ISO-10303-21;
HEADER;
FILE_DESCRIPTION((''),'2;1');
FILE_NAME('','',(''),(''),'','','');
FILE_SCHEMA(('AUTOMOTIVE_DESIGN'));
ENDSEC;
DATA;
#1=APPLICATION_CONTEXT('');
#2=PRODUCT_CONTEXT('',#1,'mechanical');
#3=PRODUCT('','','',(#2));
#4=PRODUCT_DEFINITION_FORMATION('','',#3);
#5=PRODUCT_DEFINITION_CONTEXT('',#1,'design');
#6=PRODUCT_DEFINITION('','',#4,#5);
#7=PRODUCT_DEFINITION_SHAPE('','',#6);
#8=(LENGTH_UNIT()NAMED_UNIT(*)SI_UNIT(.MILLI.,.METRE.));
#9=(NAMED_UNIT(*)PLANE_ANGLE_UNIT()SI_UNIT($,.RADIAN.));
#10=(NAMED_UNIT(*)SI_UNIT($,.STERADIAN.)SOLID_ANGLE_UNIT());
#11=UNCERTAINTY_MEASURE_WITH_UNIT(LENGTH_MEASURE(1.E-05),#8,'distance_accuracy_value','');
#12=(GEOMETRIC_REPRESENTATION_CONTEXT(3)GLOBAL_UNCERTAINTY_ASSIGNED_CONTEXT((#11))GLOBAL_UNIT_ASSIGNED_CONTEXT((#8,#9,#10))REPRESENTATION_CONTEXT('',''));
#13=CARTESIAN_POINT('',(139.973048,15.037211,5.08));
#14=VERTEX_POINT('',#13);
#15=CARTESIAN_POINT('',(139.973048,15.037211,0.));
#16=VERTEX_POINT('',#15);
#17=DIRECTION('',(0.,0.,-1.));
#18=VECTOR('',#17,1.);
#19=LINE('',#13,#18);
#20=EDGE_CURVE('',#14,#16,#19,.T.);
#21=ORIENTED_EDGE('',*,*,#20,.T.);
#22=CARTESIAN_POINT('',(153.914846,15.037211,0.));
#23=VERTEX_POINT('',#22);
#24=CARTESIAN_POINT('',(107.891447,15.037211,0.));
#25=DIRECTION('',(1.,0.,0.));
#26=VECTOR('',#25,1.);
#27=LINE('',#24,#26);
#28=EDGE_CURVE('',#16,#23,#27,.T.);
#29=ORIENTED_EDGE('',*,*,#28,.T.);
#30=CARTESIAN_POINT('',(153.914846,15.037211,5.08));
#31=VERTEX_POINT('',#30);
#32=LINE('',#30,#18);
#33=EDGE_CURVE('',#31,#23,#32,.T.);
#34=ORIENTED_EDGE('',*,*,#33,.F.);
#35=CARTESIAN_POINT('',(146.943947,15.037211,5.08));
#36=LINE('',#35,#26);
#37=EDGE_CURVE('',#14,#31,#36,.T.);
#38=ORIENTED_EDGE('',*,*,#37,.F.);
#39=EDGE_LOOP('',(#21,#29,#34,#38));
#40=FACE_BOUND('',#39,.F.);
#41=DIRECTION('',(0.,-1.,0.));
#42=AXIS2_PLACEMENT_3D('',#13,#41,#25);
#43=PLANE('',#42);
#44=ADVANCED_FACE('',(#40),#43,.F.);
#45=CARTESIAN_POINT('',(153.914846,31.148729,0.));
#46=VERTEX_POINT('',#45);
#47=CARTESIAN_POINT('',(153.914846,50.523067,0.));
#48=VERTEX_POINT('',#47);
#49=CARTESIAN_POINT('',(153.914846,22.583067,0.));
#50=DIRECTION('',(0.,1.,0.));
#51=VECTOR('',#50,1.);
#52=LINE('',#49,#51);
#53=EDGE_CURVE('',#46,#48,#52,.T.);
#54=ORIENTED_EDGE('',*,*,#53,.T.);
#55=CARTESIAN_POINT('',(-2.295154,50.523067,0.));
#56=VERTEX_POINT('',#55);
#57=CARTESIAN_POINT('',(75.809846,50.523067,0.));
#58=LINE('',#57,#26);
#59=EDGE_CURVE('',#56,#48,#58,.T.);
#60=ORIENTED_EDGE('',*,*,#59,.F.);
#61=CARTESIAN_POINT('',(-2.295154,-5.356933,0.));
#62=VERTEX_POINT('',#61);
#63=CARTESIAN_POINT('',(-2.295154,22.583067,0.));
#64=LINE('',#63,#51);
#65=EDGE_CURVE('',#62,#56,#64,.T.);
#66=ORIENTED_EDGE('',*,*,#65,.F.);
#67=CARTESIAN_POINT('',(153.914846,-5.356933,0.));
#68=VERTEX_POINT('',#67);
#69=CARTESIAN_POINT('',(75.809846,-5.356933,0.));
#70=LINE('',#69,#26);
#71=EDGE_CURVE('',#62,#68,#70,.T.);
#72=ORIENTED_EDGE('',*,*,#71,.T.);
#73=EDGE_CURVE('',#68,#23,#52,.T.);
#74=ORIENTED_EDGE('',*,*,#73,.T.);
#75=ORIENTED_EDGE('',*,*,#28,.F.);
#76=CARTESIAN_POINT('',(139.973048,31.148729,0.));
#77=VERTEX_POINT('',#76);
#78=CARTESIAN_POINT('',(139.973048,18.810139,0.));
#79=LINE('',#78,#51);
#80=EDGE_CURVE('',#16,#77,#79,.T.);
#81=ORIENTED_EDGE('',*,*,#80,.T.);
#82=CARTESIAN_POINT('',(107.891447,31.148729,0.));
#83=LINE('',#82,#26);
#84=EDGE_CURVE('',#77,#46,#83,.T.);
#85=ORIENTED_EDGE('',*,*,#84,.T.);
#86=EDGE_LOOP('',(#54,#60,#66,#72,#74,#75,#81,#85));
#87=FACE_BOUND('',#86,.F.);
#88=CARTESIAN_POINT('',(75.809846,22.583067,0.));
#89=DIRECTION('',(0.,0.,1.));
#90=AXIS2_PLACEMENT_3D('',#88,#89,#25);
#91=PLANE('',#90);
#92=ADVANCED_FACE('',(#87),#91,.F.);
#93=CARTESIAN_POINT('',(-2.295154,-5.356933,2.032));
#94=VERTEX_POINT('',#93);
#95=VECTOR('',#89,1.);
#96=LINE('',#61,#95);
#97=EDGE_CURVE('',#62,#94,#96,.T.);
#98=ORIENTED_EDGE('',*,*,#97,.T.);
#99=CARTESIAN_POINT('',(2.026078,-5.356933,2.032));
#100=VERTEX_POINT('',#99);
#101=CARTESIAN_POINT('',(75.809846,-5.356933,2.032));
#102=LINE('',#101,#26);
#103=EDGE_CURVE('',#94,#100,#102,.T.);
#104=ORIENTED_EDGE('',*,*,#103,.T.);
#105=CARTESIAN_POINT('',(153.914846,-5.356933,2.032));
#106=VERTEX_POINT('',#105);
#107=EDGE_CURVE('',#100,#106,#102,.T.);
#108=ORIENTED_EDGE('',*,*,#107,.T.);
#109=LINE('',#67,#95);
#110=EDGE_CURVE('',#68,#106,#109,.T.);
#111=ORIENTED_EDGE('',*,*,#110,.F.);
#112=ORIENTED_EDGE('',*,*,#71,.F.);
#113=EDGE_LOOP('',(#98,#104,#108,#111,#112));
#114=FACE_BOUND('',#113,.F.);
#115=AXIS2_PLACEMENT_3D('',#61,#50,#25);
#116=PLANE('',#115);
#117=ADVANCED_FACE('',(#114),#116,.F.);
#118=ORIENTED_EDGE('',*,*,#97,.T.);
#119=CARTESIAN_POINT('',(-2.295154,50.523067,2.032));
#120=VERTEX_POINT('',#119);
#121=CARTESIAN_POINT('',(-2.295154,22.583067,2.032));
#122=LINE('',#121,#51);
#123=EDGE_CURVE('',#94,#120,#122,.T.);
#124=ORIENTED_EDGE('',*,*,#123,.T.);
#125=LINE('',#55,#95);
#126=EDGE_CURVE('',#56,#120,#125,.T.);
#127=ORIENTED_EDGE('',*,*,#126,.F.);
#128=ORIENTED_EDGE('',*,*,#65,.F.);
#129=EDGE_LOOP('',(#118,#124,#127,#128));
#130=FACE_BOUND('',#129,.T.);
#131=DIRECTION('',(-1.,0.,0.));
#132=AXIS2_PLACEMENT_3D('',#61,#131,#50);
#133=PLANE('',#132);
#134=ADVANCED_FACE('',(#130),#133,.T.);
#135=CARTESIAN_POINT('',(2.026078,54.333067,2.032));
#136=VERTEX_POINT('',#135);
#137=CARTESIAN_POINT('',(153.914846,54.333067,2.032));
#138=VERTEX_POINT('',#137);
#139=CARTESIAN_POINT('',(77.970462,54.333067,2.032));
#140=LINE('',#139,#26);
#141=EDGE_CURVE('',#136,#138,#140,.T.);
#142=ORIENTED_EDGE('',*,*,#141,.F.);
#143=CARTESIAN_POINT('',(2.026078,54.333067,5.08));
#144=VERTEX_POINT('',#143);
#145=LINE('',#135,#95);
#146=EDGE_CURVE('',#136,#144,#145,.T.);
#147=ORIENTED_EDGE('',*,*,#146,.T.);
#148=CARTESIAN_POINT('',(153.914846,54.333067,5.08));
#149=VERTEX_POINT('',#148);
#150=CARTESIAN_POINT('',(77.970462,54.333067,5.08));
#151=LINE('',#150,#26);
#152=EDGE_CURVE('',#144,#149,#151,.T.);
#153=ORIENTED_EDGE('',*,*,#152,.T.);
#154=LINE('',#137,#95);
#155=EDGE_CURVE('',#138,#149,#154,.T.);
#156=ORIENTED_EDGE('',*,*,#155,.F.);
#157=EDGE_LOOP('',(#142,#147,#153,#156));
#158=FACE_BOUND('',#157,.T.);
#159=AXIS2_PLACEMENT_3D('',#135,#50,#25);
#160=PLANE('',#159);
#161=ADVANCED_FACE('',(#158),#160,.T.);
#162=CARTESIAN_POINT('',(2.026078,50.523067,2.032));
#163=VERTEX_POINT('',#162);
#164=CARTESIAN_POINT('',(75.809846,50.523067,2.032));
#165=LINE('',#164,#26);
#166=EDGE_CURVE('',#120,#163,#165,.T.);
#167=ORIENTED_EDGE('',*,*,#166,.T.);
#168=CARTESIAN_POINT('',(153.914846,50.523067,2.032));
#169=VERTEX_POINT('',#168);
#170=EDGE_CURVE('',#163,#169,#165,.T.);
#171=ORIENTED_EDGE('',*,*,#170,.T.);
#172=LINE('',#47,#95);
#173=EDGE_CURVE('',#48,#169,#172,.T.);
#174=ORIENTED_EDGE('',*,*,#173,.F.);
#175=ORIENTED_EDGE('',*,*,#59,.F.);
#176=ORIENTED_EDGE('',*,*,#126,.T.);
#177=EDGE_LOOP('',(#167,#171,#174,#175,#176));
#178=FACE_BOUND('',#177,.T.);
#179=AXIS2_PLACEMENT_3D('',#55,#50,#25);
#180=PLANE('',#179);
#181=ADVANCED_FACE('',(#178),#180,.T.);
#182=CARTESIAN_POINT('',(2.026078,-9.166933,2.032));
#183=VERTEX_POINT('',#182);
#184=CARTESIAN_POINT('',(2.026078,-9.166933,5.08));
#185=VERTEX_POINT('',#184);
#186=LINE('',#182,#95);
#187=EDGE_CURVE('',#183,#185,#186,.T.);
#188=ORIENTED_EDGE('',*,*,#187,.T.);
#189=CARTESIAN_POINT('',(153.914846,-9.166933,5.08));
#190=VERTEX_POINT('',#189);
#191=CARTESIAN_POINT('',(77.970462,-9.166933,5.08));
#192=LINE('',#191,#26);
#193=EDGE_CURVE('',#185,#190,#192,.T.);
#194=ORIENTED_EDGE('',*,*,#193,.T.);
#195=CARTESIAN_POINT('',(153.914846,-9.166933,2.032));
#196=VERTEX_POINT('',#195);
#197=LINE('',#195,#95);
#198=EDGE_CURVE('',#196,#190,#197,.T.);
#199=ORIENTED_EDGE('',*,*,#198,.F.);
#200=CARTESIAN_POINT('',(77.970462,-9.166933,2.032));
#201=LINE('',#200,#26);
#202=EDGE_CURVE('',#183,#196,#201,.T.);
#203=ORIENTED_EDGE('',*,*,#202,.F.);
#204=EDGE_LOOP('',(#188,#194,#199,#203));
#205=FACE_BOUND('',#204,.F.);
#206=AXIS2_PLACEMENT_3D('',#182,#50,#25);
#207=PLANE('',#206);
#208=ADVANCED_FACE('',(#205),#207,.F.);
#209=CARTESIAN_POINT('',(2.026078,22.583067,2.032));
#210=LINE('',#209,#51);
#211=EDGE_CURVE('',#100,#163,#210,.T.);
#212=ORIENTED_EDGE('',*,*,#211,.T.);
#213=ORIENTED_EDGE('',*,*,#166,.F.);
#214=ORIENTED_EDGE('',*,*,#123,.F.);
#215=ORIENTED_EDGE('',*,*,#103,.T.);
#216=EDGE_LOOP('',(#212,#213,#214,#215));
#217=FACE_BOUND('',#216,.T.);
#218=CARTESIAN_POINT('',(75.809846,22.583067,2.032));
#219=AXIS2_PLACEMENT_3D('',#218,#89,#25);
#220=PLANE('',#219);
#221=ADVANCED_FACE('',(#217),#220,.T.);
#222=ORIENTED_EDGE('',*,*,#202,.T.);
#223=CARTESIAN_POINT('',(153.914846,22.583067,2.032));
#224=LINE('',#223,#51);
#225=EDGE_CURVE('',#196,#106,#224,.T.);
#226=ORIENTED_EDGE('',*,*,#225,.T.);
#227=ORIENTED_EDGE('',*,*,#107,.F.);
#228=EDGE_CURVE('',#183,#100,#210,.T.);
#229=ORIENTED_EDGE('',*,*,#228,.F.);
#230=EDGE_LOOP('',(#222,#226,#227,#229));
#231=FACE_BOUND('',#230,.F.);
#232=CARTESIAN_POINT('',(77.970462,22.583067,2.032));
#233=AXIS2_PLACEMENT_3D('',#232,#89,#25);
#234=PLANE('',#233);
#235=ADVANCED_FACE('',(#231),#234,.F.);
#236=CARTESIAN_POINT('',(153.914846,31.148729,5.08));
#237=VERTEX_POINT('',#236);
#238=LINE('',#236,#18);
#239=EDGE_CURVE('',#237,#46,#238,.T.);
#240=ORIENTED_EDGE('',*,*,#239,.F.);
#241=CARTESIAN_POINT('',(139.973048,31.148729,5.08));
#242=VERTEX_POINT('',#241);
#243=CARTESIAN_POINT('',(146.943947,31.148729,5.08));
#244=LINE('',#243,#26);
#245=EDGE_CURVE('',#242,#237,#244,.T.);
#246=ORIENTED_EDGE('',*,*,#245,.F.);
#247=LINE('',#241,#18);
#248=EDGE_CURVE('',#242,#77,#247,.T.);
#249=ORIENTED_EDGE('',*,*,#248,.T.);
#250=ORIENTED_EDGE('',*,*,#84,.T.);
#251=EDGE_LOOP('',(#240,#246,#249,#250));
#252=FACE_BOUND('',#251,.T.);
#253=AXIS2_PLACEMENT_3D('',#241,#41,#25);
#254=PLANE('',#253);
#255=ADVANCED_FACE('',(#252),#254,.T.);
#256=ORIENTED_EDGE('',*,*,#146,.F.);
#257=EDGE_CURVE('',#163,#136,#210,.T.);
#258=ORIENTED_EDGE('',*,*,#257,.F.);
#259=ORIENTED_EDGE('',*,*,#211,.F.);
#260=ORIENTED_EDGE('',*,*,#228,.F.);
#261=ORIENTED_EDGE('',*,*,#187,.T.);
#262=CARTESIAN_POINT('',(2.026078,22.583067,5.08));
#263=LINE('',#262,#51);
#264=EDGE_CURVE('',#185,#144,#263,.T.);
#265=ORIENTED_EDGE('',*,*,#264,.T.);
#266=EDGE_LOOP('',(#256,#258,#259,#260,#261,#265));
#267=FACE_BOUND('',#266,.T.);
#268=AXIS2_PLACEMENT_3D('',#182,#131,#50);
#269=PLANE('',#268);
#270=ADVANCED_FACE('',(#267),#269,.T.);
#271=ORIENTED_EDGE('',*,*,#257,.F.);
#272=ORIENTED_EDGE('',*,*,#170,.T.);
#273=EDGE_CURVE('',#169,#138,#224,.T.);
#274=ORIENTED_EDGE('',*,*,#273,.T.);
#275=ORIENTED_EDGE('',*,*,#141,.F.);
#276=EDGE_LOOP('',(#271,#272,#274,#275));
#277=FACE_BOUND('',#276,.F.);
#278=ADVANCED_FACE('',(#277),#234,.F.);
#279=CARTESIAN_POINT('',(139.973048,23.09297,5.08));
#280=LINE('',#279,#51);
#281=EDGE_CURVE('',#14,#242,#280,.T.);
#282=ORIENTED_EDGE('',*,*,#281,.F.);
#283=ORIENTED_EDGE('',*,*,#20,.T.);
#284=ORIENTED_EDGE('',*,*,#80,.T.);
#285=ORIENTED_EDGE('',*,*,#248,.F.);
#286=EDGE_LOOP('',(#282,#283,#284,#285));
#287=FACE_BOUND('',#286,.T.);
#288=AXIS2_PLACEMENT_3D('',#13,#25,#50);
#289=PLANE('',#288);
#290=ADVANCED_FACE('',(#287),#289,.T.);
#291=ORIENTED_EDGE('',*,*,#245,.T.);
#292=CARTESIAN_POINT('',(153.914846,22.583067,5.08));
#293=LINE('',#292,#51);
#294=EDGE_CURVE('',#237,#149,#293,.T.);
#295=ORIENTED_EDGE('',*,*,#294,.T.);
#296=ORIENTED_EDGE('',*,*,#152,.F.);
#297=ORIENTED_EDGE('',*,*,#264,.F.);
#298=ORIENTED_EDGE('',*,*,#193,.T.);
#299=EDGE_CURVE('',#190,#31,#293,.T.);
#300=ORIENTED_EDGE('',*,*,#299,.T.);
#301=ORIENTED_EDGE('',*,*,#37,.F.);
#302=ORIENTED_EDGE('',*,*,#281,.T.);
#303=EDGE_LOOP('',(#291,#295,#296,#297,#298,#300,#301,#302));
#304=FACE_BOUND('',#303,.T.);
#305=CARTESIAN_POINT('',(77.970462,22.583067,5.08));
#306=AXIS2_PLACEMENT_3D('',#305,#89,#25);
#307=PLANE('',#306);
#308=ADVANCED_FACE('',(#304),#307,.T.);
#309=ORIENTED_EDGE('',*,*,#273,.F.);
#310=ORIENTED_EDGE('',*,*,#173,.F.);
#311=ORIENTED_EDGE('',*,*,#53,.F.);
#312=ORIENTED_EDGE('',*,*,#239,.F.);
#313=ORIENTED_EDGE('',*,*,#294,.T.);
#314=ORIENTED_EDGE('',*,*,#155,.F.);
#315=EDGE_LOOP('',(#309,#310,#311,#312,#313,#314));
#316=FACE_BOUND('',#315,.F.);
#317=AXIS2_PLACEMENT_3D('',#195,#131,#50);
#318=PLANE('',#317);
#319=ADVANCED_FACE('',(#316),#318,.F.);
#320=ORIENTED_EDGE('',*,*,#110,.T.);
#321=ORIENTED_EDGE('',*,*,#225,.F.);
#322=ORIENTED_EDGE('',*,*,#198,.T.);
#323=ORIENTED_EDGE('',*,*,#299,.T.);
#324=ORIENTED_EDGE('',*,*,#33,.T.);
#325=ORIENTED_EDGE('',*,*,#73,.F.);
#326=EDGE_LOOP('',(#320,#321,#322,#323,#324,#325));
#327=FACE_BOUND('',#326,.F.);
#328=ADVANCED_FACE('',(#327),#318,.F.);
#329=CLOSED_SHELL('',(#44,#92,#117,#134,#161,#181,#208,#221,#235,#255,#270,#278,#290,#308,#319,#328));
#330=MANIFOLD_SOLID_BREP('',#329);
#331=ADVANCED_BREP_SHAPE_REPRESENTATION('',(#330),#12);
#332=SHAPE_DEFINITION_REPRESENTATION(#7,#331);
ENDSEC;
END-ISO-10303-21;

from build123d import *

# Parameters (mm, degrees)
SKETCH3_W           = 156.21
SKETCH3_H           = 55.88
BOSS_EXTRUDE2_DEPTH = 2.032
SKETCH4_W           = 151.888767811
SKETCH4_H           = 63.5
BOSS_EXTRUDE3_DEPTH = 3.048
SKETCH5_W           = 13.94179759
SKETCH5_H           = 16.111517863
CUT_EXTRUDE1_DEPTH  = 6.08


with BuildPart() as part:
    # Sketch3 → Boss-Extrude2 (new body)
    with BuildSketch(Plane.XY):
        with Locations((75.809845761, 22.583067422)):
            Rectangle(SKETCH3_W, SKETCH3_H)
    extrude(amount=BOSS_EXTRUDE2_DEPTH)

    # Sketch4 → Boss-Extrude3 (add)
    with BuildSketch(Plane.XY.offset(2.032)):
        with Locations((77.970461856, 22.583067422)):
            Rectangle(SKETCH4_W, SKETCH4_H)
    extrude(amount=BOSS_EXTRUDE3_DEPTH)

    # Sketch5 → Cut-Extrude1 (cut, through all)
    with BuildSketch(Plane.XY.offset(5.08)):
        with Locations((146.943946966, 23.09296993)):
            Rectangle(SKETCH5_W, SKETCH5_H)
    extrude(amount=-CUT_EXTRUDE1_DEPTH, mode=Mode.SUBTRACT)


solid = part.part
